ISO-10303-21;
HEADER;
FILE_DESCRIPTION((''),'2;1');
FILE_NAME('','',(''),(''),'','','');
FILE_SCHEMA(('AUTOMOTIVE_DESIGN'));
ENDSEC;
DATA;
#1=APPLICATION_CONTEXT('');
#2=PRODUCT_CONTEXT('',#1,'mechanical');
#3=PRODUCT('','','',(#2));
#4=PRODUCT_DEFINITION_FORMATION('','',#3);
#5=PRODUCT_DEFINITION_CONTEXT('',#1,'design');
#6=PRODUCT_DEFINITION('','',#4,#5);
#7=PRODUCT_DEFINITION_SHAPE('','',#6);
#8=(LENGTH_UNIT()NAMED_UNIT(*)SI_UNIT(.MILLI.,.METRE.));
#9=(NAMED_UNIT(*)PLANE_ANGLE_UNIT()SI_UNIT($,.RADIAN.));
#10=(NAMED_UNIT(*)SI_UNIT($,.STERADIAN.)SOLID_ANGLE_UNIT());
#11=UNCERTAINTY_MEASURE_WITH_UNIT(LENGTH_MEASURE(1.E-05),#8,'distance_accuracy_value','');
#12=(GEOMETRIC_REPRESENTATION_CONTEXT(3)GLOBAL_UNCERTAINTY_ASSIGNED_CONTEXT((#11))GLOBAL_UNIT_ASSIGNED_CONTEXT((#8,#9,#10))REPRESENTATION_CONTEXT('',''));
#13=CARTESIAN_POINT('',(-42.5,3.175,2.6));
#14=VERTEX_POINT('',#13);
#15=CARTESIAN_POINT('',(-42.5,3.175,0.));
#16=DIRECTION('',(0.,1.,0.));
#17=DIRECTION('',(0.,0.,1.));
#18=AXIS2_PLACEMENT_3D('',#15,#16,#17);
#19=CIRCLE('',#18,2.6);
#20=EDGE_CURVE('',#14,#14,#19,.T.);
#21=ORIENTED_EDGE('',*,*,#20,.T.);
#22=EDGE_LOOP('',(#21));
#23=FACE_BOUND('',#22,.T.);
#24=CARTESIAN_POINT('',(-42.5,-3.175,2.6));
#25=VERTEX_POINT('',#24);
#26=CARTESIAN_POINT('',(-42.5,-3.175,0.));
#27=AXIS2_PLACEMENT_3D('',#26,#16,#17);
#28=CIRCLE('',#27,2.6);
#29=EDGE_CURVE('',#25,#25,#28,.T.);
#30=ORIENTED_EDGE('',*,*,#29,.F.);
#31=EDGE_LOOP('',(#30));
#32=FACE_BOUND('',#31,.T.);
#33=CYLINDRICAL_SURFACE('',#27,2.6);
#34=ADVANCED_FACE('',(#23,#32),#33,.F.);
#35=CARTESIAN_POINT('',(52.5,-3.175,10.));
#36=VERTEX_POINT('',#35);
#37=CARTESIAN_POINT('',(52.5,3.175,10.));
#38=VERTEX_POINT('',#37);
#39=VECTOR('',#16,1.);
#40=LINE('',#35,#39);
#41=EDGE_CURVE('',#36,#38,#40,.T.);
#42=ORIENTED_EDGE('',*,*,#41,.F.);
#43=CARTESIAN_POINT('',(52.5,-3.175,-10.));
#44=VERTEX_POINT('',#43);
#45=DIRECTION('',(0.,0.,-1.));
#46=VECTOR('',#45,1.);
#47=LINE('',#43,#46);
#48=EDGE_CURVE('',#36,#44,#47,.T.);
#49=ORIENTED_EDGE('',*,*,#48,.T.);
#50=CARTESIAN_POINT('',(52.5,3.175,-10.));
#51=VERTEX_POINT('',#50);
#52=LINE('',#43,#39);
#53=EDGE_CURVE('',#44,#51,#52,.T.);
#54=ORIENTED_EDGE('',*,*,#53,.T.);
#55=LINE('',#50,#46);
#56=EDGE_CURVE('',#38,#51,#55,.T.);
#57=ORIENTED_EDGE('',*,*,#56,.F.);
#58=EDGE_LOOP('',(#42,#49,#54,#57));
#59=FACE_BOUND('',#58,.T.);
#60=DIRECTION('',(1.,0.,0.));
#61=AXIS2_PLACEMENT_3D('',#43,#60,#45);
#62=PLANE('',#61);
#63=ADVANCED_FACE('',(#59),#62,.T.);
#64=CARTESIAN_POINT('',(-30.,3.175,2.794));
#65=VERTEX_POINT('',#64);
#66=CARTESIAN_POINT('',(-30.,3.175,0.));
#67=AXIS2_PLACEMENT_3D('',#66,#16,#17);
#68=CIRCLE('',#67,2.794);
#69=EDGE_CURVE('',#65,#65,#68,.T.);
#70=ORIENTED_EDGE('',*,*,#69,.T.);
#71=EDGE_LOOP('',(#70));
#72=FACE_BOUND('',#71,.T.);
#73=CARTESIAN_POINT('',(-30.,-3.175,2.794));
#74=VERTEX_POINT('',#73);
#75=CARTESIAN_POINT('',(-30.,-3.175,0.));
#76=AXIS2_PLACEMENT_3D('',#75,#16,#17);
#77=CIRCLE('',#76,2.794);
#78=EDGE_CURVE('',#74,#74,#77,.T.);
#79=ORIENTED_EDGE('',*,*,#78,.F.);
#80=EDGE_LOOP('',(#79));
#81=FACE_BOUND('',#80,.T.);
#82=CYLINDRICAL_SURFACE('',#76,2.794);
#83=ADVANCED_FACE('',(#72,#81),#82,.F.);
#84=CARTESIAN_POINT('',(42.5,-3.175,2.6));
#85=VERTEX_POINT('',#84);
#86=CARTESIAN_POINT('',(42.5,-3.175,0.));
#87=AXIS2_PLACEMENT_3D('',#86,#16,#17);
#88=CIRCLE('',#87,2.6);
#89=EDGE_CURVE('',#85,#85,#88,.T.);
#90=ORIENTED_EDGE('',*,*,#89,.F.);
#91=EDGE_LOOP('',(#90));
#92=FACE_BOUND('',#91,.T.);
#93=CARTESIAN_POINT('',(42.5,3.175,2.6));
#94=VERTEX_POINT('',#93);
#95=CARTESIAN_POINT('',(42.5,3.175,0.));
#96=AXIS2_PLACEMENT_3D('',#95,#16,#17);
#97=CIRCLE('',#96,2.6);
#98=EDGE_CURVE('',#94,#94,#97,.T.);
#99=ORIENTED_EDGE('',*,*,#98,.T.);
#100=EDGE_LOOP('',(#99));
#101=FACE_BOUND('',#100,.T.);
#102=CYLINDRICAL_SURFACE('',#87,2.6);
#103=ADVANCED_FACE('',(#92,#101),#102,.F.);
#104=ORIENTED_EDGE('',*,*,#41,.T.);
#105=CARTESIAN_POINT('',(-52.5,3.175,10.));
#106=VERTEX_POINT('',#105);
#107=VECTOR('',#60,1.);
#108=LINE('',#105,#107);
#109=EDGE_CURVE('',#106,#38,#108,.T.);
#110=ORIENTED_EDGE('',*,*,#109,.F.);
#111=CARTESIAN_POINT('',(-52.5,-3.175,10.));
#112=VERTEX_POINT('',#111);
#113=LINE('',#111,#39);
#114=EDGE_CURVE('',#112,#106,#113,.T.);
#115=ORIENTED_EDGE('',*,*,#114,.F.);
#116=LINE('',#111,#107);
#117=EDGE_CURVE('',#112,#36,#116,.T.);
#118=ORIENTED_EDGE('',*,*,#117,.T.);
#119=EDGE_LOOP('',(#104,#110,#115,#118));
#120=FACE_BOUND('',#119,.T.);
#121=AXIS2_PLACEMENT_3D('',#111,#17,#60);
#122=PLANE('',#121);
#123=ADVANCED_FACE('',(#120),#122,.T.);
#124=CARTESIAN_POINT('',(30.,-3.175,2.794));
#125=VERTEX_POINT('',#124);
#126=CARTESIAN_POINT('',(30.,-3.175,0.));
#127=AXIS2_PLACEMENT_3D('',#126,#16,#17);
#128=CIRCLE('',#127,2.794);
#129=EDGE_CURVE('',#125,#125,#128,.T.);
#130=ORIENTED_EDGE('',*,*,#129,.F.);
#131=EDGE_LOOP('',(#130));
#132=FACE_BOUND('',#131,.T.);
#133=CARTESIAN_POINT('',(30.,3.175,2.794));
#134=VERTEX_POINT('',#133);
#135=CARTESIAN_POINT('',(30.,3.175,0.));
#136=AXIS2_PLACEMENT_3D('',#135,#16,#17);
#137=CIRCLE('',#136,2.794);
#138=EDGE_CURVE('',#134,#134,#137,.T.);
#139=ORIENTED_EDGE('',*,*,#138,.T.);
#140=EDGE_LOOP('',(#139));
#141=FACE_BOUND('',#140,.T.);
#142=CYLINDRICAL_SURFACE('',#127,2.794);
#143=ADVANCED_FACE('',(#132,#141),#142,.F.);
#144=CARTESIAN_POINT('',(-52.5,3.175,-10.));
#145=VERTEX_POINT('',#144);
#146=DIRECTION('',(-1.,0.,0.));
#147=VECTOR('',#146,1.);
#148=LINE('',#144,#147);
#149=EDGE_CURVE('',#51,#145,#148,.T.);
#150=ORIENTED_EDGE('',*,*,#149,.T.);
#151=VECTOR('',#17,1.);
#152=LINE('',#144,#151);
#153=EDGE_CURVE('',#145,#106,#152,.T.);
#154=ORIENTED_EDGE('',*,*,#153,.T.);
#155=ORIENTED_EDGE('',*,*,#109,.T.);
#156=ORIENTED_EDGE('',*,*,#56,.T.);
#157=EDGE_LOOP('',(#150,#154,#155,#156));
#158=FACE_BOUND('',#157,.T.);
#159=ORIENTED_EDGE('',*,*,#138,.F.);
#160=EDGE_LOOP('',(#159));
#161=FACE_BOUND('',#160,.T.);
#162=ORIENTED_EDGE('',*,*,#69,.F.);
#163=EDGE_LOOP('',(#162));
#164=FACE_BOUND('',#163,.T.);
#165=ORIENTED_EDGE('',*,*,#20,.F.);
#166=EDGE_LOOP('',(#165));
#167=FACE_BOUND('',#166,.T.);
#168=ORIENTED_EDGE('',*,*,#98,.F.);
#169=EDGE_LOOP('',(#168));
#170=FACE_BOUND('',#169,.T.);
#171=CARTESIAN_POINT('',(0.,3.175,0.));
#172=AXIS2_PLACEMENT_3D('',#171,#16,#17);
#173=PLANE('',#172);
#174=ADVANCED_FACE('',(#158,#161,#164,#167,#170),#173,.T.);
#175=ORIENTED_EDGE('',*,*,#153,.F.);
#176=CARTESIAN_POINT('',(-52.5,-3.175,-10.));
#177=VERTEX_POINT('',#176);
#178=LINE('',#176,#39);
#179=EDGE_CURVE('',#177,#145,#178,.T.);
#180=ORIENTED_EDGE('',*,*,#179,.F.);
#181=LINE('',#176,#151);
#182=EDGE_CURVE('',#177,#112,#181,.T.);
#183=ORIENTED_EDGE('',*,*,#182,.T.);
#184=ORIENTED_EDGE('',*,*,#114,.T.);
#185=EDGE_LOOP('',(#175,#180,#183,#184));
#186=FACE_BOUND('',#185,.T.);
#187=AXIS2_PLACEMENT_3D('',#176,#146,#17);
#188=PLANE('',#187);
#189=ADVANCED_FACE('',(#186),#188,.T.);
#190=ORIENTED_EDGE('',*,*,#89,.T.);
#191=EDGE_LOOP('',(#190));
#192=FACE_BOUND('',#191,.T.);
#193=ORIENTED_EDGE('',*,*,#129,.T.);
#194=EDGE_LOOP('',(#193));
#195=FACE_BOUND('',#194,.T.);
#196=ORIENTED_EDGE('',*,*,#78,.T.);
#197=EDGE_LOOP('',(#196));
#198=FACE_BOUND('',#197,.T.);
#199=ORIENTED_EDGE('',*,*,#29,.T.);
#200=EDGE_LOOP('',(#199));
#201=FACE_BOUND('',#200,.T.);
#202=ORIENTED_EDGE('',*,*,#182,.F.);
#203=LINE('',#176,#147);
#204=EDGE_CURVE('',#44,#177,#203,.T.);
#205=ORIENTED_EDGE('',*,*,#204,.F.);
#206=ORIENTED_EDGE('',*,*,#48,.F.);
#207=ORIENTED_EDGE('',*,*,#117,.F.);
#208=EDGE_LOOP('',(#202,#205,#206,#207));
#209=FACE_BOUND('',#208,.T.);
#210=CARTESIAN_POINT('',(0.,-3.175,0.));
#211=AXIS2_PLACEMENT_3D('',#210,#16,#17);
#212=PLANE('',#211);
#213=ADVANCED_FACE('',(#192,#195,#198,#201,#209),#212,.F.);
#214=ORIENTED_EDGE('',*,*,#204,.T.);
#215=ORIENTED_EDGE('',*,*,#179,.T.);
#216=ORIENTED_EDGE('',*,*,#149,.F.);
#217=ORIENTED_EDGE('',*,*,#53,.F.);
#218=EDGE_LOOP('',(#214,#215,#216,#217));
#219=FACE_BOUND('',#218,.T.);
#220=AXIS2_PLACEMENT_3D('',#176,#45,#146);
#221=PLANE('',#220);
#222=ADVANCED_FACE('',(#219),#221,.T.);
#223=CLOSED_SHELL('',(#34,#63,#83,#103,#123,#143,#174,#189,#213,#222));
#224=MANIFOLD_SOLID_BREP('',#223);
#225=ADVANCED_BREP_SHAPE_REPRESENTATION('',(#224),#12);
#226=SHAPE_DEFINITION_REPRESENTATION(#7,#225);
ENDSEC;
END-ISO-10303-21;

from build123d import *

# Parameters (mm, degrees)
BOSS_EXTRUDE1_DEPTH      = 3.175
BOSS_EXTRUDE1_DEPTH_BACK = 3.175
SKETCH1_W                = 105
SKETCH1_H                = 20
SKETCH1_R                = 2.794
SKETCH1_R_2              = 2.6


with BuildPart() as part:
    # Sketch1 → Boss-Extrude1 (new, two sides: drawn at the far end of the back side and taken through both)
    with BuildSketch(Plane(origin=(0, 0, 0), x_dir=(1, 0, 0), z_dir=(0, 1, 0)).offset(-BOSS_EXTRUDE1_DEPTH_BACK)):
        Rectangle(SKETCH1_W, SKETCH1_H)
        with Locations((-30, 0)):
            Circle(SKETCH1_R, mode=Mode.SUBTRACT)
        with Locations((30, 0)):
            Circle(SKETCH1_R, mode=Mode.SUBTRACT)
        with Locations((-42.5, 0)):
            Circle(SKETCH1_R_2, mode=Mode.SUBTRACT)
        with Locations((42.5, 0)):
            Circle(SKETCH1_R_2, mode=Mode.SUBTRACT)
    extrude(amount=BOSS_EXTRUDE1_DEPTH + BOSS_EXTRUDE1_DEPTH_BACK)


solid = part.part
